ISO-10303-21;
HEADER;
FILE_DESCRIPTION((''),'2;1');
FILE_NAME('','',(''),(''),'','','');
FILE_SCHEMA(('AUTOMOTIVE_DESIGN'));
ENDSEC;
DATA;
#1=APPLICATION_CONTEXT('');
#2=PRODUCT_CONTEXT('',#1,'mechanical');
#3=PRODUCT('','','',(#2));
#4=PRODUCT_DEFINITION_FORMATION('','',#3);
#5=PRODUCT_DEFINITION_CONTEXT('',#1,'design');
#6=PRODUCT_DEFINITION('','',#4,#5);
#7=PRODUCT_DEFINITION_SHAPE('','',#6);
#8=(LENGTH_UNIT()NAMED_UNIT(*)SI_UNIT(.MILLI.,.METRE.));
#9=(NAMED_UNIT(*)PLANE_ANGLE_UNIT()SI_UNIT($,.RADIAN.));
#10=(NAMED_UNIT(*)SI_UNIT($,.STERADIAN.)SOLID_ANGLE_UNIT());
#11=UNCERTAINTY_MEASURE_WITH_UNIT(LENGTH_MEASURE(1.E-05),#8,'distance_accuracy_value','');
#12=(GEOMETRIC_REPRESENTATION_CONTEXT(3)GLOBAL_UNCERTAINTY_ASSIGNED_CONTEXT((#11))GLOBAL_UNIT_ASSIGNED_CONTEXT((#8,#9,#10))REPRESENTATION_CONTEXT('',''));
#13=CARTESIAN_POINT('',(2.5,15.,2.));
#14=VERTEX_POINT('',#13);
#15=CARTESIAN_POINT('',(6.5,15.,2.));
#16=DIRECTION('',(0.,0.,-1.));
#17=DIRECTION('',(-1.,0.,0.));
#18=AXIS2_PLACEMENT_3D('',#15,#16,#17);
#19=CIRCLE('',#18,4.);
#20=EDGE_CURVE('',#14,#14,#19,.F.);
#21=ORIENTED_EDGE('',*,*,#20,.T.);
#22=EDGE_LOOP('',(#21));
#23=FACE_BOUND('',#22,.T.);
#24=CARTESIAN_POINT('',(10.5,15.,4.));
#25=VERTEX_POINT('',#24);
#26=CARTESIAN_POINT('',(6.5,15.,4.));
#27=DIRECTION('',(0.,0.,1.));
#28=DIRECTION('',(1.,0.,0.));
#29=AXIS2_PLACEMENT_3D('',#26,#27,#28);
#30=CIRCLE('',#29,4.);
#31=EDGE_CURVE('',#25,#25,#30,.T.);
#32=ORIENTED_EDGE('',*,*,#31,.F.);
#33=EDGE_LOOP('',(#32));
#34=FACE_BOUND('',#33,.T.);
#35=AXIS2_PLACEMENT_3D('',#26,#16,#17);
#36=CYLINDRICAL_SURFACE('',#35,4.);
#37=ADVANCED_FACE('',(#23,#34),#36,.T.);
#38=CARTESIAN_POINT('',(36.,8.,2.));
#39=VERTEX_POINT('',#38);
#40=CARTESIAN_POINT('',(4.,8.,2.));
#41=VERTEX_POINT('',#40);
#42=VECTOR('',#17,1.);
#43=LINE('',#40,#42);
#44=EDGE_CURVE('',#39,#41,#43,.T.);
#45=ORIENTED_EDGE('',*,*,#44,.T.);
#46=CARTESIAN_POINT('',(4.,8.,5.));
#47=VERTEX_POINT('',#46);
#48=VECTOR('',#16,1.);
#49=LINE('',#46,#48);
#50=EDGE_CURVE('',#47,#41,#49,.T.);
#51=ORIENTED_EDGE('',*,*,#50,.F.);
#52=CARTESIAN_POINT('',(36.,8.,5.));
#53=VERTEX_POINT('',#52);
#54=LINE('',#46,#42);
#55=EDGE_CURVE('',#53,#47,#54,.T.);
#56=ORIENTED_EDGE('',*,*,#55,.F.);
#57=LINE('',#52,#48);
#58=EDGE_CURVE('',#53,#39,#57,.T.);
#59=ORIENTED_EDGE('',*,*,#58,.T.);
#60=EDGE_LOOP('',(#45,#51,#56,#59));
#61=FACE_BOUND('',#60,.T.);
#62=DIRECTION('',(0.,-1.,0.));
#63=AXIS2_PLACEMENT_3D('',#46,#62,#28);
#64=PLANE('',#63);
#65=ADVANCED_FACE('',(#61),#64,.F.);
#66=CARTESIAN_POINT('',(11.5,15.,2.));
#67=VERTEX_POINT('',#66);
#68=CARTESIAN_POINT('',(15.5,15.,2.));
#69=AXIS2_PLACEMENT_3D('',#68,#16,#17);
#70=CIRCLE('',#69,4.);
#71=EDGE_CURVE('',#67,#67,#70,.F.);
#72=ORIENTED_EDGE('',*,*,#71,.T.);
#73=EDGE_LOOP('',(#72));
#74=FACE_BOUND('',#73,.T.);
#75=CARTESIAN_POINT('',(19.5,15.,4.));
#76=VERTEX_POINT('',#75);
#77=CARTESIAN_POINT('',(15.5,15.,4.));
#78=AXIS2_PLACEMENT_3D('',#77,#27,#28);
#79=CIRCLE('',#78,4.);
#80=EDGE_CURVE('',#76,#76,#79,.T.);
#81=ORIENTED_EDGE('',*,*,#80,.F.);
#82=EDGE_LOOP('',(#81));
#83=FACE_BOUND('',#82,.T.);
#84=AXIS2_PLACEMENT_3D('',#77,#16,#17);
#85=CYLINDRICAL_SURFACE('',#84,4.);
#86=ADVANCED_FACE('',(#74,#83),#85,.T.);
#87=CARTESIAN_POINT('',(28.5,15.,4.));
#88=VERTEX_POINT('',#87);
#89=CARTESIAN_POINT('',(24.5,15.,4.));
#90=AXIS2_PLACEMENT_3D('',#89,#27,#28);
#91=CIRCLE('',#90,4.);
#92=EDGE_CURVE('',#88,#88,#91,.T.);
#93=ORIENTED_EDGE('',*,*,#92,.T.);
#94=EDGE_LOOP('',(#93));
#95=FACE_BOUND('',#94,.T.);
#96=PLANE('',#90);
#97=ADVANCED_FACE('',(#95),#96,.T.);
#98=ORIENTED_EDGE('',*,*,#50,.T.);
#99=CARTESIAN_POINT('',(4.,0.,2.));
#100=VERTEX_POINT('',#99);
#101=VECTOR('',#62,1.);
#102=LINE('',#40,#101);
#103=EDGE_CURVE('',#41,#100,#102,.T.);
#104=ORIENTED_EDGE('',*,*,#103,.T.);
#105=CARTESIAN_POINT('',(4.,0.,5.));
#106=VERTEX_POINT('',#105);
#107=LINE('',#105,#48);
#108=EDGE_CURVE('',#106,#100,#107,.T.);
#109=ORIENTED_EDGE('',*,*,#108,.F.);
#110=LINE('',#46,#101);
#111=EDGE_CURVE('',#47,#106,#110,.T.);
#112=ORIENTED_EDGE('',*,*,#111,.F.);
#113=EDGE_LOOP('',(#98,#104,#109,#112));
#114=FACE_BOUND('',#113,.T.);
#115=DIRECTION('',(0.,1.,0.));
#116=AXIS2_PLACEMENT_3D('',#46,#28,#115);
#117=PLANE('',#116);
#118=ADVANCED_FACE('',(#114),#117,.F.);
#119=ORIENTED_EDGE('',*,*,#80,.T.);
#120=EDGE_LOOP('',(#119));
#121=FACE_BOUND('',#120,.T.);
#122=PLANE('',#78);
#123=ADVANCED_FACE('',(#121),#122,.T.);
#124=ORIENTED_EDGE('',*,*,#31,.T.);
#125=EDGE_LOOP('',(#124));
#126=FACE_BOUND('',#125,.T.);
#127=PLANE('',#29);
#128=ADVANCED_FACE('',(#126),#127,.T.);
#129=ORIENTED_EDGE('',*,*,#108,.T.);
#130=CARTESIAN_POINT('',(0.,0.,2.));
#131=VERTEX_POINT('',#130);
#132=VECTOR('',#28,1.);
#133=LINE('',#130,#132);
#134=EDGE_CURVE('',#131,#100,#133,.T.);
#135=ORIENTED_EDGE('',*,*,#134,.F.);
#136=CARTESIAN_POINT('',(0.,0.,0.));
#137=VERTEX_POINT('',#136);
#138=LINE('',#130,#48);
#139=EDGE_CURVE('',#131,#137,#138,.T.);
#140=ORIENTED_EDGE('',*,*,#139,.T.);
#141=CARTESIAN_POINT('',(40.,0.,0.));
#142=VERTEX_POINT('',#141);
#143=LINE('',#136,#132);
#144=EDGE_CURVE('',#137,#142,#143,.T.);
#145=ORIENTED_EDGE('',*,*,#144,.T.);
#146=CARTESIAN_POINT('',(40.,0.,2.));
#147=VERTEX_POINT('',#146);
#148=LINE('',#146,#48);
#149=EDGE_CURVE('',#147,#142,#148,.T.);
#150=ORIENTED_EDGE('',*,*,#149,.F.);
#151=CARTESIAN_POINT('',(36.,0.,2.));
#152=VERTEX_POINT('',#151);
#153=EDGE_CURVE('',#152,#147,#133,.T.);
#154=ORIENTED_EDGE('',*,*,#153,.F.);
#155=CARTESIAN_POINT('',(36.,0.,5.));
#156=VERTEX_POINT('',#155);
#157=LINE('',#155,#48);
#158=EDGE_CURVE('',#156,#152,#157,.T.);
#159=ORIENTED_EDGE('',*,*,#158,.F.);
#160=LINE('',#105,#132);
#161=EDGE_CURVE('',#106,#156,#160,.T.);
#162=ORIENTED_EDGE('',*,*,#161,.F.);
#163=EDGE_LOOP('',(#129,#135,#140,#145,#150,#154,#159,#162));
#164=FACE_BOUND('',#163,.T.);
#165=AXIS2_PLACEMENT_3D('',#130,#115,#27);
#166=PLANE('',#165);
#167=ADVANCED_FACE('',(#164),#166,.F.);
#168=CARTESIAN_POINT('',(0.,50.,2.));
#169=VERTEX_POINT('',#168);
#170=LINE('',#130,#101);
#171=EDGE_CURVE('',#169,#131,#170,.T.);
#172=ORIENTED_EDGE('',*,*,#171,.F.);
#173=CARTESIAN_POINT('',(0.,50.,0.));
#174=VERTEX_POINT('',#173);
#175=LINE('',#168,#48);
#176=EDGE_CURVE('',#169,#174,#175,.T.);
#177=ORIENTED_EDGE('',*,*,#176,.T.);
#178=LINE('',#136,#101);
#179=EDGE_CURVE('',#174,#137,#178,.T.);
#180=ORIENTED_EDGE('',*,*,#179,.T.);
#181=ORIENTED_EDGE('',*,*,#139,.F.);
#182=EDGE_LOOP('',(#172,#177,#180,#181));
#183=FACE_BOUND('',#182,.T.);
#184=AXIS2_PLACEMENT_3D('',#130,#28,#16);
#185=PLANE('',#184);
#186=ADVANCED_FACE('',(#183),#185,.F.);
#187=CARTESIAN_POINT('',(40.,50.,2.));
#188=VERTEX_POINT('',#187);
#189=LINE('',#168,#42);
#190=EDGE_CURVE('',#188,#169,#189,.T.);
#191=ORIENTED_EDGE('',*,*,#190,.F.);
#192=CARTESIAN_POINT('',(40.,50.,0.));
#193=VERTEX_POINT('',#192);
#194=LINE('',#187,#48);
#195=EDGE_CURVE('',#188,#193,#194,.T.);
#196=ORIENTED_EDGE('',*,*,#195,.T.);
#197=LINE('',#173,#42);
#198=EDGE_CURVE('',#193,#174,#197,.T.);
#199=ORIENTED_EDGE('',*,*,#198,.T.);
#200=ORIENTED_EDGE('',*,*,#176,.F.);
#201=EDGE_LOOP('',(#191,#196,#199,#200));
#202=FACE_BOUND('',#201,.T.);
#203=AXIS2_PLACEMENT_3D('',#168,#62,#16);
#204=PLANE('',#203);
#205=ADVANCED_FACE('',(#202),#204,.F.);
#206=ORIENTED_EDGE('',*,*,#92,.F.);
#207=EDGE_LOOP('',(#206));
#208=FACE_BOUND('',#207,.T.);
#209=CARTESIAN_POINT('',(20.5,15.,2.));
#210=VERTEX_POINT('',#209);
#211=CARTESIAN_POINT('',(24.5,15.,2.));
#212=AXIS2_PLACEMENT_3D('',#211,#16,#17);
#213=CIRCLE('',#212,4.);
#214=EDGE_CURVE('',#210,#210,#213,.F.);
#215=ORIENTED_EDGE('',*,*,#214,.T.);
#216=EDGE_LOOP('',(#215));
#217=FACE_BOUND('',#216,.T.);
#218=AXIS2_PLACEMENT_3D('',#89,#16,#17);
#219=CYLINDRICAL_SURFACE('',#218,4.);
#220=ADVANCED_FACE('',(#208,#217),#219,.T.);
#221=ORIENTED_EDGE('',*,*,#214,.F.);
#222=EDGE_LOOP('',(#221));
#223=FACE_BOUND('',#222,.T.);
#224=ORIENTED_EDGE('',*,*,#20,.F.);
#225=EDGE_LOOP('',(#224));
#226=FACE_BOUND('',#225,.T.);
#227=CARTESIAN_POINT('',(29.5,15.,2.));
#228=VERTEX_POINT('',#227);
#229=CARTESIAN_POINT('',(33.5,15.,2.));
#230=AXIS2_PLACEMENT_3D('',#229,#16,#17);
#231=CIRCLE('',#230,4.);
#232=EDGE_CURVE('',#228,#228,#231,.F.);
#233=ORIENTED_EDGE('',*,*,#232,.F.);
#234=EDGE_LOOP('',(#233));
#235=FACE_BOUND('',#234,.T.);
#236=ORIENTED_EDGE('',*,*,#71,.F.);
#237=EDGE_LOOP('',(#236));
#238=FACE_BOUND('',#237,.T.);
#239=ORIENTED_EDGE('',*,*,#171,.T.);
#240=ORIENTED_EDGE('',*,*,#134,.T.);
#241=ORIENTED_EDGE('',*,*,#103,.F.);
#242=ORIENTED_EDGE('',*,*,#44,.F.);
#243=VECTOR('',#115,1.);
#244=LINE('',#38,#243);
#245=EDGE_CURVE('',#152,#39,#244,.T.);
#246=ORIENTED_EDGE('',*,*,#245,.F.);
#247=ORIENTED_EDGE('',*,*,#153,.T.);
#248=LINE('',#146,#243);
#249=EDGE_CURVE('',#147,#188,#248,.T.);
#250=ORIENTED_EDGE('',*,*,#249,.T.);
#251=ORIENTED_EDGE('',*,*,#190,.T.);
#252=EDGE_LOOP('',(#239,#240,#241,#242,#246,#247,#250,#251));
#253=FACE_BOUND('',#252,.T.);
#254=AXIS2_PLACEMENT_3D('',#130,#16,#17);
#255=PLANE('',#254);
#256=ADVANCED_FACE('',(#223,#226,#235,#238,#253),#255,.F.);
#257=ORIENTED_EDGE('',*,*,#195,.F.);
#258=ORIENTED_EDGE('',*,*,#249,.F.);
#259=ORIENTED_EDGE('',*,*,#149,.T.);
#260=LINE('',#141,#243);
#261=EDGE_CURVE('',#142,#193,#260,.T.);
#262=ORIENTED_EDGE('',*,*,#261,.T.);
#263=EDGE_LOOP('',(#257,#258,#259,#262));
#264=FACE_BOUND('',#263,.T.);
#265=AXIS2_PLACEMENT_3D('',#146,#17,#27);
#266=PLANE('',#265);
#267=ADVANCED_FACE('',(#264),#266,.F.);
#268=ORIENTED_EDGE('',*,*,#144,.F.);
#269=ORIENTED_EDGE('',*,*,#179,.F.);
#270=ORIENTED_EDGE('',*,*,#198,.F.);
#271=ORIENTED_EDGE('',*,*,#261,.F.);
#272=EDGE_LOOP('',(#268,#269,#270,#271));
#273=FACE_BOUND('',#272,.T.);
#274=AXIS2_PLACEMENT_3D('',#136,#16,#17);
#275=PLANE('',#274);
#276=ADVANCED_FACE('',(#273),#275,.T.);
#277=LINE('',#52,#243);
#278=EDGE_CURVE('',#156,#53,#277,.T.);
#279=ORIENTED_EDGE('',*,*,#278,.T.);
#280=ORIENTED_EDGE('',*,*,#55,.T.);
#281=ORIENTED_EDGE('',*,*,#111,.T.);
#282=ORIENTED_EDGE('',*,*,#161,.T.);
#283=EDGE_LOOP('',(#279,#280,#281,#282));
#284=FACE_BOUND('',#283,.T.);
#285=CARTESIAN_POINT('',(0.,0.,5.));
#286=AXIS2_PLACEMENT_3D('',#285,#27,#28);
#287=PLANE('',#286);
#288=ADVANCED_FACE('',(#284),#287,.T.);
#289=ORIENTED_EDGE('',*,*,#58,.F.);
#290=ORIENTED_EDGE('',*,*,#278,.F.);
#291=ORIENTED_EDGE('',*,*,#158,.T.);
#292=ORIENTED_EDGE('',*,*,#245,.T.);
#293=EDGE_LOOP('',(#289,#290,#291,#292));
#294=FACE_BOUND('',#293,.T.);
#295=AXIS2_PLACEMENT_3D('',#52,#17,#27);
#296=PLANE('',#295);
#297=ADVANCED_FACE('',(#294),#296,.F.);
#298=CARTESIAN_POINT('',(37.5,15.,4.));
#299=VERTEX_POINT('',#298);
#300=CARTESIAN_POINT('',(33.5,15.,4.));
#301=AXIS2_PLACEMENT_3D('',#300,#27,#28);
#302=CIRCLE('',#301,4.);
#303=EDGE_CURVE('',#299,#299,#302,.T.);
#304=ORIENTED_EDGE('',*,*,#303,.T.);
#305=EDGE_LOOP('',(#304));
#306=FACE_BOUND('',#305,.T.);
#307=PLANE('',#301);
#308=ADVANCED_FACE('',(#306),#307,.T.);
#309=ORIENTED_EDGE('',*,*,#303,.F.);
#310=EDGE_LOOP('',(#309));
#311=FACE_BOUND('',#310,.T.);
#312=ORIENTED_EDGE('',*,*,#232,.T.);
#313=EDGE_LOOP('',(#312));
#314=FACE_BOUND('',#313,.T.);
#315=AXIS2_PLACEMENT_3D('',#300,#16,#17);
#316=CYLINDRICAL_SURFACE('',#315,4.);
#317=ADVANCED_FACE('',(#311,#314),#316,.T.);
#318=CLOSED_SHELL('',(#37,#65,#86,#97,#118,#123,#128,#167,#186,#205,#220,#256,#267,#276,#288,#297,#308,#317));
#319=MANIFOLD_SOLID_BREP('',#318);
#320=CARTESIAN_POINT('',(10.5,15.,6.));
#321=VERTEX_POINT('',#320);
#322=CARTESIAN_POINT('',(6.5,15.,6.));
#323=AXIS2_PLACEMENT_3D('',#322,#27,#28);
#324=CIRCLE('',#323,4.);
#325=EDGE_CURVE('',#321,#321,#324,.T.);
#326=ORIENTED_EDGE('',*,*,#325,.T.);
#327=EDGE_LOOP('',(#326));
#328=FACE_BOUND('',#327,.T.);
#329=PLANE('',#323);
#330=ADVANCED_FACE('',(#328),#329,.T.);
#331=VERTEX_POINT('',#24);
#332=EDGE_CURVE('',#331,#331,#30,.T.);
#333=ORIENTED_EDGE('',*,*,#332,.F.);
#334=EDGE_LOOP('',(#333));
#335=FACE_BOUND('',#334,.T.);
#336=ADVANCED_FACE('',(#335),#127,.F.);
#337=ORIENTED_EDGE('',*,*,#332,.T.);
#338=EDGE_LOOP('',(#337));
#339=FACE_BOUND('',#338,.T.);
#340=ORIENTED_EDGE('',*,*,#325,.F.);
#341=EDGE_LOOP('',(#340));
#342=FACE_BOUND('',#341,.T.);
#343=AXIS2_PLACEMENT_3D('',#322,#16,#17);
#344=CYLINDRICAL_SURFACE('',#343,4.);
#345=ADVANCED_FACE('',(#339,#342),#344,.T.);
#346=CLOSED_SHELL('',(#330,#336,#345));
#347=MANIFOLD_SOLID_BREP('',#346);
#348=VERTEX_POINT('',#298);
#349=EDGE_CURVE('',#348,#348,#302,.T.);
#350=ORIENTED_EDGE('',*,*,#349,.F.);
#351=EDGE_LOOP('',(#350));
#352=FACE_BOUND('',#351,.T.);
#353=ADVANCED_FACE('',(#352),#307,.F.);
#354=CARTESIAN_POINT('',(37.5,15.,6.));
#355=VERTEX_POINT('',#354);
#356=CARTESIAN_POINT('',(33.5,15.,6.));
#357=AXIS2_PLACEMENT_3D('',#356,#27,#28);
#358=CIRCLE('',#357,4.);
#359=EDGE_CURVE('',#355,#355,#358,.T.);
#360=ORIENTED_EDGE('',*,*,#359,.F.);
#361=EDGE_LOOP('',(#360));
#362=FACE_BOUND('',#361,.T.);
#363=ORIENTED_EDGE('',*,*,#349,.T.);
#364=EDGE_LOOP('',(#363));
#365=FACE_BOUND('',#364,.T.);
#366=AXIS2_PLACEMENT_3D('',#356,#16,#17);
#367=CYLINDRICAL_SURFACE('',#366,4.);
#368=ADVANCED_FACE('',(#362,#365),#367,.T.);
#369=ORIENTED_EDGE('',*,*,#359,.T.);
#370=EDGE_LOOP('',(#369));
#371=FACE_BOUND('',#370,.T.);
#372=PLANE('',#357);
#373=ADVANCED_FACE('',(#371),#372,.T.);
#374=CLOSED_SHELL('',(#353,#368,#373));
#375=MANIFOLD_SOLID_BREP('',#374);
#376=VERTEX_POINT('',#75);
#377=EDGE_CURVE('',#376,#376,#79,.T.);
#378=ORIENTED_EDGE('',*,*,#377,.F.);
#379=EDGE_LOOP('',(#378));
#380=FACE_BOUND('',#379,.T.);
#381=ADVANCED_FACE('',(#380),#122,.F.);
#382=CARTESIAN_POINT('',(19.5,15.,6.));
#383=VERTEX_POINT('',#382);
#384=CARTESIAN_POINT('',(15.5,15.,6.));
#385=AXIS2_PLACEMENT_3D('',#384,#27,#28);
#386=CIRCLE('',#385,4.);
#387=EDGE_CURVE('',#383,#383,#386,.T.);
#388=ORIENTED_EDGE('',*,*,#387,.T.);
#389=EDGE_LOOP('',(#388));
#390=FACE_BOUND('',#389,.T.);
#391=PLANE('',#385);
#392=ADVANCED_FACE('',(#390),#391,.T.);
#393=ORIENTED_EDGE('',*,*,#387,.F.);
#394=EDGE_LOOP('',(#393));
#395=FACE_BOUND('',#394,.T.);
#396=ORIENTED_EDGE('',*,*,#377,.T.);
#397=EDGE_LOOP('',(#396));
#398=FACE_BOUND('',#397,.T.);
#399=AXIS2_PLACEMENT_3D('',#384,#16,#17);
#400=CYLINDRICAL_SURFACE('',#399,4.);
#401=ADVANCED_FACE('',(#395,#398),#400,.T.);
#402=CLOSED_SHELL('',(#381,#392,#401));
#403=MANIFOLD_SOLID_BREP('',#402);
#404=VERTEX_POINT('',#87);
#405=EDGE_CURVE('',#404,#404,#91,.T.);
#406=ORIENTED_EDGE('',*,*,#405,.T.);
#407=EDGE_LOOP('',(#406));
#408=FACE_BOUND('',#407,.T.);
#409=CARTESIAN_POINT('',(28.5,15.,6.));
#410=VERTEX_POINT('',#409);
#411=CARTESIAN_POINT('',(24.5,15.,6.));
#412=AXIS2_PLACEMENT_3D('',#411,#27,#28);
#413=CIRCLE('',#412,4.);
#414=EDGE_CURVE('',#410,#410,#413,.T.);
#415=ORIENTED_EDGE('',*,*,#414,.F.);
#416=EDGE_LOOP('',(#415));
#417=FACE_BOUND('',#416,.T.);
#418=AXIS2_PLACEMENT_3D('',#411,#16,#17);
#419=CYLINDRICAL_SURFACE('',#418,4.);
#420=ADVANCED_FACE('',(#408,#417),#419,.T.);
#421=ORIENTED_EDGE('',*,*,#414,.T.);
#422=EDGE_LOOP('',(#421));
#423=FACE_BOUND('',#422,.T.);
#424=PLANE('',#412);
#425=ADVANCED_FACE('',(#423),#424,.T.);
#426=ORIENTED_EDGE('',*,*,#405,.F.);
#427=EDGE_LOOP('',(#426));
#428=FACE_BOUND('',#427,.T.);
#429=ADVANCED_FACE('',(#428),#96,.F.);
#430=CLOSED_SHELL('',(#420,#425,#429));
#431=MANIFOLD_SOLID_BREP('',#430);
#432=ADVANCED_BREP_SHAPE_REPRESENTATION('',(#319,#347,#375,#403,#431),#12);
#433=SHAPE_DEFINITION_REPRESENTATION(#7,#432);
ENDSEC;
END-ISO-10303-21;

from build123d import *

# Parameters (mm, degrees)
SKETCH_1_W      = 40
SKETCH_1_H      = 50
EXTRUDE_1_DEPTH = 2
SKETCH_2_R      = 4
EXTRUDE_2_DEPTH = 2
SKETCH_3_R      = 4
EXTRUDE_3_DEPTH = 2
SKETCH_4_R      = 4
EXTRUDE_4_DEPTH = 2
SKETCH_5_R      = 4
EXTRUDE_5_DEPTH = 2
SKETCH_7_R      = 4
EXTRUDE_6_DEPTH = 2
SKETCH_8_W      = 32
SKETCH_8_H      = 8
EXTRUDE_7_DEPTH = 3


with BuildPart() as part:
    # 草图1 → 凸台-拉伸1 (new body)
    with BuildSketch(Plane.XY):
        with Locations((20, 25)):
            Rectangle(SKETCH_1_W, SKETCH_1_H)
    extrude(amount=EXTRUDE_1_DEPTH)

    # 草图2 → 凸台-拉伸2 (add)
    with BuildSketch(Plane.XY.offset(2)):
        with Locations(Location((6.5, 15, 0), (0, 0, 180))):
            Circle(SKETCH_2_R)
        with Locations(Location((15.5, 15, 0), (0, 0, 180))):
            Circle(SKETCH_2_R)
        with Locations(Location((24.5, 15, 0), (0, 0, 180))):
            Circle(SKETCH_2_R)
        with Locations(Location((33.5, 15, 0), (0, 0, 180))):
            Circle(SKETCH_2_R)
    extrude(amount=EXTRUDE_2_DEPTH)

    # 草图8 → 凸台-拉伸7 (add)
    with BuildSketch(Plane.XY.offset(2)):
        with Locations((20, 4)):
            Rectangle(SKETCH_8_W, SKETCH_8_H)
    extrude(amount=EXTRUDE_7_DEPTH)


with BuildPart() as body_2:
    # 草图3 → 凸台-拉伸3 (new body)
    with BuildSketch(Plane.XY.offset(4)):
        with Locations((6.5, 15)):
            Circle(SKETCH_3_R)
    extrude(amount=EXTRUDE_3_DEPTH)


with BuildPart() as body_3:
    # 草图4 → 凸台-拉伸4 (new body)
    with BuildSketch(Plane.XY.offset(4)):
        with Locations((15.5, 15)):
            Circle(SKETCH_4_R)
    extrude(amount=EXTRUDE_4_DEPTH)


with BuildPart() as body_4:
    # 草图5 → 凸台-拉伸5 (new body)
    with BuildSketch(Plane.XY.offset(4)):
        with Locations((24.5, 15)):
            Circle(SKETCH_5_R)
    extrude(amount=EXTRUDE_5_DEPTH)


with BuildPart() as body_5:
    # 草图7 → 凸台-拉伸6 (new body)
    with BuildSketch(Plane.XY.offset(4)):
        with Locations((33.5, 15)):
            Circle(SKETCH_7_R)
    extrude(amount=EXTRUDE_6_DEPTH)


solid = Compound([part.part, body_2.part, body_3.part, body_4.part, body_5.part])
